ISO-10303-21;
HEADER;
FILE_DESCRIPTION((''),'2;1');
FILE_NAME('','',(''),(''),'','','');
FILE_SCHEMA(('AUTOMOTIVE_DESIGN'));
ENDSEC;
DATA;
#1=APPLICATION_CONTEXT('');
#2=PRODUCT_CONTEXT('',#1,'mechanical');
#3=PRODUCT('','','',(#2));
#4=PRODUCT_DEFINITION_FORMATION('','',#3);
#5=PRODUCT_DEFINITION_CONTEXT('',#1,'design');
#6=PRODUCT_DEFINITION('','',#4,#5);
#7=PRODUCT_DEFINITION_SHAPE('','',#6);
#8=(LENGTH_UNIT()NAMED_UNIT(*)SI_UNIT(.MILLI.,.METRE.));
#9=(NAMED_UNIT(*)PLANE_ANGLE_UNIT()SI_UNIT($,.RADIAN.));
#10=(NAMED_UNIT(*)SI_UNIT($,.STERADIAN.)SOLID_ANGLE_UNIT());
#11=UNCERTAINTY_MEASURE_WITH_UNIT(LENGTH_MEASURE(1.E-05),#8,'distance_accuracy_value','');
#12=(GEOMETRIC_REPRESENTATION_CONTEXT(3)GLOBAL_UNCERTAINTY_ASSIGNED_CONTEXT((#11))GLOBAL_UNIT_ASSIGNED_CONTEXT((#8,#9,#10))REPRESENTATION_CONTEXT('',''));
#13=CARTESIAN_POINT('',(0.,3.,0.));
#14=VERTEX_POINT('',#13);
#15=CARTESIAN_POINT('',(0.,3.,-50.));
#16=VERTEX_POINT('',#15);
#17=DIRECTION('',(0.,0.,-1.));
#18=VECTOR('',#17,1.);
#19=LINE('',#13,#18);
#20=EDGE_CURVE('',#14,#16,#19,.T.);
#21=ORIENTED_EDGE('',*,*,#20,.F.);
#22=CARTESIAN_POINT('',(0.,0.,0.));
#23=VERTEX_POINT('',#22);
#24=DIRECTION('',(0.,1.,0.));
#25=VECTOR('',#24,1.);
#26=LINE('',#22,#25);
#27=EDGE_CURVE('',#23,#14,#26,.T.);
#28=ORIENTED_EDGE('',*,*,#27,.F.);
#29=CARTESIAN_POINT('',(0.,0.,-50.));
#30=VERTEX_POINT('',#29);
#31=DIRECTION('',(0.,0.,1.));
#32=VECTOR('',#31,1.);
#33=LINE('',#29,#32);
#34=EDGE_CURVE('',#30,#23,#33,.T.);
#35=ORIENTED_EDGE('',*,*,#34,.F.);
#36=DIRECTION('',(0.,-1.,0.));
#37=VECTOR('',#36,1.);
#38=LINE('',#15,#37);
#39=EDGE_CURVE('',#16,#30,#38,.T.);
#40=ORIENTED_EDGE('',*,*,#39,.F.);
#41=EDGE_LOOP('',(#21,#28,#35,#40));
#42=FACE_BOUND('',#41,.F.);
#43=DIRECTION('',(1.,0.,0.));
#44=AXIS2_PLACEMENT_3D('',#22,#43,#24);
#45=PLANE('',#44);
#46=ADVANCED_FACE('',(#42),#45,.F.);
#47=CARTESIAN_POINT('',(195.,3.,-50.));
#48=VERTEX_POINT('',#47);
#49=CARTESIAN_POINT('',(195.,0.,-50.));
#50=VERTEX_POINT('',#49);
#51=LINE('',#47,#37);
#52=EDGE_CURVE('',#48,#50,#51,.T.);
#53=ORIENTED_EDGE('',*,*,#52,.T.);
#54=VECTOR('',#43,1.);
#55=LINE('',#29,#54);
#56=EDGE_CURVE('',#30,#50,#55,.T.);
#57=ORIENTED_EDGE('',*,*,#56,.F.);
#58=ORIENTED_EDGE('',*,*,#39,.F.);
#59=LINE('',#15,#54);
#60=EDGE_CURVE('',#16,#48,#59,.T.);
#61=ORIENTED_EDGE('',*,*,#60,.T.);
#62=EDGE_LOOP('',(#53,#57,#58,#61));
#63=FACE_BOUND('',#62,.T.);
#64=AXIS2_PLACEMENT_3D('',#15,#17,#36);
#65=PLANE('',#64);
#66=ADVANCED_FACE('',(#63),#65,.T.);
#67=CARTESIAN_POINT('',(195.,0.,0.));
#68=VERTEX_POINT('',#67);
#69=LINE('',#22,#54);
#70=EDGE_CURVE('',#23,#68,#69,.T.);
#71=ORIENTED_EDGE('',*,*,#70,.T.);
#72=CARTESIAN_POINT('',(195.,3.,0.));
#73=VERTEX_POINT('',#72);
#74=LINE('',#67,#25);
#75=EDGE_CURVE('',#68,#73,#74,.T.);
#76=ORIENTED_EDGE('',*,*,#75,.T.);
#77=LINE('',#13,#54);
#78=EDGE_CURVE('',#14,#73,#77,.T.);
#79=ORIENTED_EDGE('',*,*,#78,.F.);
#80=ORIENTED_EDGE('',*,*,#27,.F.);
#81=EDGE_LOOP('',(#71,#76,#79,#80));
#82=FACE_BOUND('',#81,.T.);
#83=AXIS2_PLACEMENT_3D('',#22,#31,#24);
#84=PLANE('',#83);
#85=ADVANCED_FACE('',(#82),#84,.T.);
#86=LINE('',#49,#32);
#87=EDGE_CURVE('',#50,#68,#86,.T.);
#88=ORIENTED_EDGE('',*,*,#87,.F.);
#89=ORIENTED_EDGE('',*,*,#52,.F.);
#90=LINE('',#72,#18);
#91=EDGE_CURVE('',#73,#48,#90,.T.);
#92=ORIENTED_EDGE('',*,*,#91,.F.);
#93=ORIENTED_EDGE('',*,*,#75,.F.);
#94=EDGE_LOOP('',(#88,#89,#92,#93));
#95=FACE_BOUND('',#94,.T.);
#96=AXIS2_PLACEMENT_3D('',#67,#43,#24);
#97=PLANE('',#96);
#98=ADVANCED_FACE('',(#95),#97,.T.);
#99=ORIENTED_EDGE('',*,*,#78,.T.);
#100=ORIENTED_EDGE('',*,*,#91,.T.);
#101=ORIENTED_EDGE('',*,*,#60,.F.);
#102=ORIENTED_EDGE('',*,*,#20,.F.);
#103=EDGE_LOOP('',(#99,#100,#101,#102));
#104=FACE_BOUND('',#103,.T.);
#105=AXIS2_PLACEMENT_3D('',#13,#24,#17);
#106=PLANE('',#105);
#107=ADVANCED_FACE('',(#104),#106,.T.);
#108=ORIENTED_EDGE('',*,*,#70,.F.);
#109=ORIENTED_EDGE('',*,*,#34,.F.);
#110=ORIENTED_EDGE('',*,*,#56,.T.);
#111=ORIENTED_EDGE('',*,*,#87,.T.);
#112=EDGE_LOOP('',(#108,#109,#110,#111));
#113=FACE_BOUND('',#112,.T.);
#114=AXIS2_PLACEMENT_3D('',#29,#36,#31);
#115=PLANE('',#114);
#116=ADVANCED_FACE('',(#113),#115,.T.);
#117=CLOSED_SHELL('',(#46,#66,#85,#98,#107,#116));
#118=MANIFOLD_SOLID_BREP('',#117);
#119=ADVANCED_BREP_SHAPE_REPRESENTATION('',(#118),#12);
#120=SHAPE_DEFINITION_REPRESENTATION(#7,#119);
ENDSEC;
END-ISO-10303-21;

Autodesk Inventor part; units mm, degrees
ref_plane "YZ Plane" through (0, 0, 0) normal (1, 0, 0) x (0, 1, 0)
ref_plane "XZ Plane" through (0, 0, 0) normal (0, 1, 0) x (-1, 0, 0)
ref_plane "XY Plane" through (0, 0, 0) normal (0, 0, 1) x (1, 0, 0)
sketch "Sketch1" plane through (0, 0, 0) normal (1, 0, 0) x (0, 1, 0)
  line L0 (0, 0) -> (3, 0)
  line L1 (3, 0) -> (3, -50)
  line L2 (3, -50) -> (0, -50)
  line L3 (0, -50) -> (0, 0)
  dimension "d0" = 3
  dimension "d1" = 50
extrude "Extrusion1" add sketch "Sketch1" along normal blind 195
properties part number "P408" material "Aluminum 6061"
